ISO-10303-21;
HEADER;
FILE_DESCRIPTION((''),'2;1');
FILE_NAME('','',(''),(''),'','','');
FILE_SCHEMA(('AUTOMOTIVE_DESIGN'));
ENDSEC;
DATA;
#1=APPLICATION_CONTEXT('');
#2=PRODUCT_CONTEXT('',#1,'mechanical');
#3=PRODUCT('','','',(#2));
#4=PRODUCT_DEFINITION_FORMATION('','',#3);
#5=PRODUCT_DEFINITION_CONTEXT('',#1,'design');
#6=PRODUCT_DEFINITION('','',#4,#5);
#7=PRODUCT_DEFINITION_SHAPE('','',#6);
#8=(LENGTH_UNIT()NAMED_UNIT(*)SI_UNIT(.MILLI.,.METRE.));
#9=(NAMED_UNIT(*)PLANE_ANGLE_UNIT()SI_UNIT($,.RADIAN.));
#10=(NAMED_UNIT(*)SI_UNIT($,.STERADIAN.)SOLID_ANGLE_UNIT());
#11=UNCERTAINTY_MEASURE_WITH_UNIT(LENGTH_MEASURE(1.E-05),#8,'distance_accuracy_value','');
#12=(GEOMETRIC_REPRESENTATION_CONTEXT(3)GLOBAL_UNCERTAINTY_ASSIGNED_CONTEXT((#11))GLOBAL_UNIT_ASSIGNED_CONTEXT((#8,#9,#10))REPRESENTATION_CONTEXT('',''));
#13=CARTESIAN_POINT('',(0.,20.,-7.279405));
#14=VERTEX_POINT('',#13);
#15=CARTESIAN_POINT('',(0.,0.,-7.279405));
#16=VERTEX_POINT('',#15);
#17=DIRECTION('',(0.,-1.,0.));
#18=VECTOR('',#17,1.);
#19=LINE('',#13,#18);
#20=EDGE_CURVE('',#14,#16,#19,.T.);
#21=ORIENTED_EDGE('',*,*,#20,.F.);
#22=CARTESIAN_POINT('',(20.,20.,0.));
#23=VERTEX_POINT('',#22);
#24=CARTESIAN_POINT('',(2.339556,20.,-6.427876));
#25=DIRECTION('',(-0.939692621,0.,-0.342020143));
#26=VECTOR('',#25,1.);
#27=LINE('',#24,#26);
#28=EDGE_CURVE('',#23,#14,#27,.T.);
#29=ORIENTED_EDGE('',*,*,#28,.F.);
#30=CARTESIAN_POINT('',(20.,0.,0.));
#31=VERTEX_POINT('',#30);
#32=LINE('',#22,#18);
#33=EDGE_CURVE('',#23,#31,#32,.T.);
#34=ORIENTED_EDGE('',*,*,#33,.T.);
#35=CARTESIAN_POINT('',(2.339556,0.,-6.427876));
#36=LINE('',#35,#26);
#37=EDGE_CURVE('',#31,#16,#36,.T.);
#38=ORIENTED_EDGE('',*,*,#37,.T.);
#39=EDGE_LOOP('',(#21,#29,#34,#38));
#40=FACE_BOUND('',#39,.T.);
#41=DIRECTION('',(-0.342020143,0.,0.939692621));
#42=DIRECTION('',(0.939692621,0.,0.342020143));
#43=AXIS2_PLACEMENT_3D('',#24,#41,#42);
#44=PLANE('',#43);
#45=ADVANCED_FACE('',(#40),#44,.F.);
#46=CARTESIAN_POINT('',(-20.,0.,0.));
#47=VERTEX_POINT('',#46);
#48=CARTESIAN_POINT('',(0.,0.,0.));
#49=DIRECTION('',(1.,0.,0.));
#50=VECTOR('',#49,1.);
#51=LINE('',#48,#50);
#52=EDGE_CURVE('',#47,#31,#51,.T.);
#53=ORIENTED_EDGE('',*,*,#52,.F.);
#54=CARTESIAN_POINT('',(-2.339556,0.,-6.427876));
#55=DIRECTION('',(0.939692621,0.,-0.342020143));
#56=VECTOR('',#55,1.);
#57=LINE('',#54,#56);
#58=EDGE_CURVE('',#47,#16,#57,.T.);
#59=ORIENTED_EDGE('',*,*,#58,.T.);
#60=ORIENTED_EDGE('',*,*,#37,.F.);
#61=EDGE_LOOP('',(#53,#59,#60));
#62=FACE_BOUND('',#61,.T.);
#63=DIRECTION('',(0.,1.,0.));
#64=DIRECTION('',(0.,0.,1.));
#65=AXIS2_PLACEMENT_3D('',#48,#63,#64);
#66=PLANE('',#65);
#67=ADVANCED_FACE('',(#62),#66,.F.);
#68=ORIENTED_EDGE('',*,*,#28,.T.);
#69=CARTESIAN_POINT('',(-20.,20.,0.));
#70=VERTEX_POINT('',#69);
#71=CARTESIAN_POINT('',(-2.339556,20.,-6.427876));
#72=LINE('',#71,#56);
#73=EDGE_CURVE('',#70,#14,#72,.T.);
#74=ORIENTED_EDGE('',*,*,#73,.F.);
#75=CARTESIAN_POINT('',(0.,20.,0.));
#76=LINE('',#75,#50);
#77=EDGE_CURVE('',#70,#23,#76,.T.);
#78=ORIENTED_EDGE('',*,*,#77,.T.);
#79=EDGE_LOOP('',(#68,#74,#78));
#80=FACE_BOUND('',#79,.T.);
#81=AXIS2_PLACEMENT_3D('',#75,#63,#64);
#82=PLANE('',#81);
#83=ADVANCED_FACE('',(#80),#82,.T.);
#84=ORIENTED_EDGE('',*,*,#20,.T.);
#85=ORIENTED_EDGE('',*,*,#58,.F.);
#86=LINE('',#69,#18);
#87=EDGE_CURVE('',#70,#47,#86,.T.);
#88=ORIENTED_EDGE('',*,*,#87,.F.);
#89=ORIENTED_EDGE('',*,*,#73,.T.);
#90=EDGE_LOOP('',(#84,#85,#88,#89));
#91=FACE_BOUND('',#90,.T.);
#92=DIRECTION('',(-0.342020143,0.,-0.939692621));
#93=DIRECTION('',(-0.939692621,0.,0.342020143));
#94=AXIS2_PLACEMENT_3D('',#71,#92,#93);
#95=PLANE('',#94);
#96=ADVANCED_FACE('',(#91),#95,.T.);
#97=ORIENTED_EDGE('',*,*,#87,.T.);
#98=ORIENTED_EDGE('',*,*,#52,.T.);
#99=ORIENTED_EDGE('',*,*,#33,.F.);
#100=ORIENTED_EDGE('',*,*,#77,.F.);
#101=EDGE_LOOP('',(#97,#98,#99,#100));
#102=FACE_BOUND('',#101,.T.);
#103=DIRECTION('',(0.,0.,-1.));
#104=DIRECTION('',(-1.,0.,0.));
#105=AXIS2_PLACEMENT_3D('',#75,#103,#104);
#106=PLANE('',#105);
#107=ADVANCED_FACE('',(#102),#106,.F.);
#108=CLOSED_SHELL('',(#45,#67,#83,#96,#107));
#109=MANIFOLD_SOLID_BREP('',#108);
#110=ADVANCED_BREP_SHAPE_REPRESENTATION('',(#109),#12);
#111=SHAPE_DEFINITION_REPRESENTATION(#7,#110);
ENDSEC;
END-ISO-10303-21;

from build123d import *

# Parameters (mm, degrees)
BOSS_EXTRUDE1_DEPTH = 20


with BuildPart() as part:
    # Sketch1 → Boss-Extrude1 (new body)
    with BuildSketch(Plane(origin=(0, 0, 0), x_dir=(1, 0, 0), z_dir=(0, 1, 0))):
        Polygon((0, 7.279404685), (-20, 0), (0, 0), align=None)
        Polygon((0, 7.279404685), (0, 0), (20, 0), align=None)
    extrude(amount=BOSS_EXTRUDE1_DEPTH)


solid = part.part
